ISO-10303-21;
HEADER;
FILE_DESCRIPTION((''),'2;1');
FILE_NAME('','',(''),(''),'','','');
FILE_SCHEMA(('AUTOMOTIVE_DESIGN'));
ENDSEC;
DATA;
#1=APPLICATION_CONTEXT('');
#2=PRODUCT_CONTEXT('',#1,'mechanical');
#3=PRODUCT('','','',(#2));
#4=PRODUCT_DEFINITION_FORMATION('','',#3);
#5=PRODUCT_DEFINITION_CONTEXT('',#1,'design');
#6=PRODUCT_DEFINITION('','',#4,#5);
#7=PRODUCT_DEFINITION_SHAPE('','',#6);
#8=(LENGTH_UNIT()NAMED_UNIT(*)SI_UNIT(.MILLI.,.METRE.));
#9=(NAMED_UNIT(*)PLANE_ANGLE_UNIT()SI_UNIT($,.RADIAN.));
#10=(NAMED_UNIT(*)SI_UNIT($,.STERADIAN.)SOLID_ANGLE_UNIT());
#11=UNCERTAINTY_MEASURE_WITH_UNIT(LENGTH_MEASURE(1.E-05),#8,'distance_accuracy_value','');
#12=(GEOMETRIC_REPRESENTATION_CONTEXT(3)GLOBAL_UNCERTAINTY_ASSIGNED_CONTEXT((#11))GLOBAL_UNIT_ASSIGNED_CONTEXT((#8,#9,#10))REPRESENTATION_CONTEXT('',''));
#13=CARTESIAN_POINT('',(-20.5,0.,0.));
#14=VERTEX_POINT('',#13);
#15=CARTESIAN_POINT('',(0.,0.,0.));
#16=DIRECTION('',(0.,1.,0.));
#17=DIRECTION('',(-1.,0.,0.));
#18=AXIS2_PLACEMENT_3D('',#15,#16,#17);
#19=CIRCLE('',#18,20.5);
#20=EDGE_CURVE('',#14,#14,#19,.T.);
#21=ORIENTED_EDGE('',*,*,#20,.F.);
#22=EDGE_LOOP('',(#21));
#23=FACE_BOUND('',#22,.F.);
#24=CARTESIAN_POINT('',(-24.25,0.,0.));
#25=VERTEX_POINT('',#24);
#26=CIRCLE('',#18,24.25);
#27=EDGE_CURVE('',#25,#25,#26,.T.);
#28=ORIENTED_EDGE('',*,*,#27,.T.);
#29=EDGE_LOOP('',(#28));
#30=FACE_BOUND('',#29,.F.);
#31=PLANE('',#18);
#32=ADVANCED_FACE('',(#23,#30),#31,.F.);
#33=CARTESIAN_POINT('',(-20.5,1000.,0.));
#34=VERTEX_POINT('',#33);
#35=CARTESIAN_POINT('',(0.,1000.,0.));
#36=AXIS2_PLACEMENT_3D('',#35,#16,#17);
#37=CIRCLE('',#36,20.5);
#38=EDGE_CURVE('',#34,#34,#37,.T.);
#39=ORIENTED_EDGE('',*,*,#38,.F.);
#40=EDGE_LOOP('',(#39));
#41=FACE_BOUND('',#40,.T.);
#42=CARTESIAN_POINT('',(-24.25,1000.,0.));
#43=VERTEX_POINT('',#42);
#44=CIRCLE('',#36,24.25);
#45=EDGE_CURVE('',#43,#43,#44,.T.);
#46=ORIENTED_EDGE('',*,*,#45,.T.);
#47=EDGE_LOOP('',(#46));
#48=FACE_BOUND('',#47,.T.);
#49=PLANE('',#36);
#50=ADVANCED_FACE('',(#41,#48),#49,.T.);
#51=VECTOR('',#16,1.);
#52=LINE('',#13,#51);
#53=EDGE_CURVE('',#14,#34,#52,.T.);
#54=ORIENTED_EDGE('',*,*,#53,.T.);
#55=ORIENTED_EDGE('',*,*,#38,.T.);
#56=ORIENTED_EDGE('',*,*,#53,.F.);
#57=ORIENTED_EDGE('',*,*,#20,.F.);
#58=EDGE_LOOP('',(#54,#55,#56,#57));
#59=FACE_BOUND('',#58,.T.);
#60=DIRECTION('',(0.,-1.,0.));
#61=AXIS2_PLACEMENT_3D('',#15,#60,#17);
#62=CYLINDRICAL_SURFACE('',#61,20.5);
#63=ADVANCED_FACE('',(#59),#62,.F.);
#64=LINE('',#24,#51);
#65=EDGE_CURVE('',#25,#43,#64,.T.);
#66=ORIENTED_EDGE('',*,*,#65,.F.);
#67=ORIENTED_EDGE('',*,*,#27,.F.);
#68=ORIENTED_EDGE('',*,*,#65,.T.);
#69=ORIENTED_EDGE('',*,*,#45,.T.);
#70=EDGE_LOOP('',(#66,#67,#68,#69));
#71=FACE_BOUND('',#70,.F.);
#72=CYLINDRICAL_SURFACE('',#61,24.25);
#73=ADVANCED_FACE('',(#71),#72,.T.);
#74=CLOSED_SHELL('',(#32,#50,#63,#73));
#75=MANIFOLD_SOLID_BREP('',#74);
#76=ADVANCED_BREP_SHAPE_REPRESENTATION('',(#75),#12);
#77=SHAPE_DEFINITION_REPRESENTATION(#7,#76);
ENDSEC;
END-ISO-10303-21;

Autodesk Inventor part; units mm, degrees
ref_plane "YZ Plane" through (0, 0, 0) normal (1, 0, 0) x (0, 1, 0)
ref_plane "XZ Plane" through (0, 0, 0) normal (0, 1, 0) x (-1, 0, 0)
sketch "Sketch1" plane through (0, 0, 0) normal (0, 1, 0) x (-1, 0, 0)
  circle A0 centre (0, 0) radius 24.25
  circle A1 centre (0, 0) radius 20.5
  dimension "d0" = 48.5
  dimension "d1" = 3.75
  dimension "d2" = 41
extrude "Extrusion1" add sketch "Sketch1" along normal blind 1000
ref_plane "rørtangent 1" through (0, 0, 24.25) normal (0, 0, 1) x (1, 0, 0)
ref_plane "rørtangent 2" through (0, 0, -24.25) normal (0, 0, 1) x (1, 0, 0)
properties part number "rør" material "Steel"
